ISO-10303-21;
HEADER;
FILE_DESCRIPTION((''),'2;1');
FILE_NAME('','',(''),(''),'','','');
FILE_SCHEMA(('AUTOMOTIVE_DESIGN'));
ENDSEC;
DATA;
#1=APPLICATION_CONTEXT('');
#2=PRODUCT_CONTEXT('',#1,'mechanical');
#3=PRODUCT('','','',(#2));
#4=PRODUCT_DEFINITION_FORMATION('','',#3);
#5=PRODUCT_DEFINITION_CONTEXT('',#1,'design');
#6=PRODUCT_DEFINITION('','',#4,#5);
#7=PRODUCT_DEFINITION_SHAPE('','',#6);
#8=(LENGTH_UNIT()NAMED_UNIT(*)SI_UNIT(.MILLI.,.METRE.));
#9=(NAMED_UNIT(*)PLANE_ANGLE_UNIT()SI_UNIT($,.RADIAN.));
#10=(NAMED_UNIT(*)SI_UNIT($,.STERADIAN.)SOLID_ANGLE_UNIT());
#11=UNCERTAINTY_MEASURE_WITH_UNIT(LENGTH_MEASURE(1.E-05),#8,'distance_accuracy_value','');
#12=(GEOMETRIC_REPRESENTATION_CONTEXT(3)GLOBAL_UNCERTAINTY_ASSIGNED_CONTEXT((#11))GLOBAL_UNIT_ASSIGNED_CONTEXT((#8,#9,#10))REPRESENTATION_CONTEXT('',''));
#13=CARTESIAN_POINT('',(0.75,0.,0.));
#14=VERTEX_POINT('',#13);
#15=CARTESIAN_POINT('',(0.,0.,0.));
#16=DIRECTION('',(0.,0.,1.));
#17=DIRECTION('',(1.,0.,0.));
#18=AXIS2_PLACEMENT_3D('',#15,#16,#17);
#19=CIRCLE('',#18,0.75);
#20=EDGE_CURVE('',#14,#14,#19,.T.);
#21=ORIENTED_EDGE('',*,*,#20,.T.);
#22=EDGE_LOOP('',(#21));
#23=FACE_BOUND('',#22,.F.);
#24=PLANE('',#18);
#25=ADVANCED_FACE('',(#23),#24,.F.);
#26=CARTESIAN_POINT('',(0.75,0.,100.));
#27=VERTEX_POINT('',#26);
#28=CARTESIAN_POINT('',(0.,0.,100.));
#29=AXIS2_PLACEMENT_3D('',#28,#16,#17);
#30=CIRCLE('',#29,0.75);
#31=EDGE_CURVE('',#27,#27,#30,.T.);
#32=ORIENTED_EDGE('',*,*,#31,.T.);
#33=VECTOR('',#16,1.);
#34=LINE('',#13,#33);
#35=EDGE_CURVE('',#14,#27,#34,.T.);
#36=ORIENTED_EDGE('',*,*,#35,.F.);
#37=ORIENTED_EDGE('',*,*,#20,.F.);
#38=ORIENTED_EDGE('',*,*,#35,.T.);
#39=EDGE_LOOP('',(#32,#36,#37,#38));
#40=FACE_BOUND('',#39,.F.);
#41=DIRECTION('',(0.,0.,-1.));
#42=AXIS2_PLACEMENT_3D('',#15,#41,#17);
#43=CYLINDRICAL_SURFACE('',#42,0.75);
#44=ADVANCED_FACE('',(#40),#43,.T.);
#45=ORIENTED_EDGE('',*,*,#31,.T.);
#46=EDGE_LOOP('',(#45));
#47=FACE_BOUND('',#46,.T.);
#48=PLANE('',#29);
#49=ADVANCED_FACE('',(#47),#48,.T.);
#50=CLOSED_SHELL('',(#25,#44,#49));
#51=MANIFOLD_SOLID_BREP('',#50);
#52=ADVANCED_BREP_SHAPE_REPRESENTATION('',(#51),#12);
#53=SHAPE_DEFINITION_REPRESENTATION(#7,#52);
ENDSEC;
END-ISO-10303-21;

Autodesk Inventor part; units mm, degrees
ref_plane "YZ Plane" through (0, 0, 0) normal (1, 0, 0) x (0, 1, 0)
ref_plane "XZ Plane" through (0, 0, 0) normal (0, 1, 0) x (-1, 0, 0)
ref_plane "XY Plane" through (0, 0, 0) normal (0, 0, 1) x (1, 0, 0)
sketch "スケッチ1" plane through (0, 0, 0) normal (0, 0, 1) x (1, 0, 0)
  circle A0 centre (0, 0) radius 0.75
  dimension "d0" = 1.5
extrude "押し出し1" add sketch "スケッチ1" along normal blind 100
properties part number "pianostick" material "鋼、合金"
